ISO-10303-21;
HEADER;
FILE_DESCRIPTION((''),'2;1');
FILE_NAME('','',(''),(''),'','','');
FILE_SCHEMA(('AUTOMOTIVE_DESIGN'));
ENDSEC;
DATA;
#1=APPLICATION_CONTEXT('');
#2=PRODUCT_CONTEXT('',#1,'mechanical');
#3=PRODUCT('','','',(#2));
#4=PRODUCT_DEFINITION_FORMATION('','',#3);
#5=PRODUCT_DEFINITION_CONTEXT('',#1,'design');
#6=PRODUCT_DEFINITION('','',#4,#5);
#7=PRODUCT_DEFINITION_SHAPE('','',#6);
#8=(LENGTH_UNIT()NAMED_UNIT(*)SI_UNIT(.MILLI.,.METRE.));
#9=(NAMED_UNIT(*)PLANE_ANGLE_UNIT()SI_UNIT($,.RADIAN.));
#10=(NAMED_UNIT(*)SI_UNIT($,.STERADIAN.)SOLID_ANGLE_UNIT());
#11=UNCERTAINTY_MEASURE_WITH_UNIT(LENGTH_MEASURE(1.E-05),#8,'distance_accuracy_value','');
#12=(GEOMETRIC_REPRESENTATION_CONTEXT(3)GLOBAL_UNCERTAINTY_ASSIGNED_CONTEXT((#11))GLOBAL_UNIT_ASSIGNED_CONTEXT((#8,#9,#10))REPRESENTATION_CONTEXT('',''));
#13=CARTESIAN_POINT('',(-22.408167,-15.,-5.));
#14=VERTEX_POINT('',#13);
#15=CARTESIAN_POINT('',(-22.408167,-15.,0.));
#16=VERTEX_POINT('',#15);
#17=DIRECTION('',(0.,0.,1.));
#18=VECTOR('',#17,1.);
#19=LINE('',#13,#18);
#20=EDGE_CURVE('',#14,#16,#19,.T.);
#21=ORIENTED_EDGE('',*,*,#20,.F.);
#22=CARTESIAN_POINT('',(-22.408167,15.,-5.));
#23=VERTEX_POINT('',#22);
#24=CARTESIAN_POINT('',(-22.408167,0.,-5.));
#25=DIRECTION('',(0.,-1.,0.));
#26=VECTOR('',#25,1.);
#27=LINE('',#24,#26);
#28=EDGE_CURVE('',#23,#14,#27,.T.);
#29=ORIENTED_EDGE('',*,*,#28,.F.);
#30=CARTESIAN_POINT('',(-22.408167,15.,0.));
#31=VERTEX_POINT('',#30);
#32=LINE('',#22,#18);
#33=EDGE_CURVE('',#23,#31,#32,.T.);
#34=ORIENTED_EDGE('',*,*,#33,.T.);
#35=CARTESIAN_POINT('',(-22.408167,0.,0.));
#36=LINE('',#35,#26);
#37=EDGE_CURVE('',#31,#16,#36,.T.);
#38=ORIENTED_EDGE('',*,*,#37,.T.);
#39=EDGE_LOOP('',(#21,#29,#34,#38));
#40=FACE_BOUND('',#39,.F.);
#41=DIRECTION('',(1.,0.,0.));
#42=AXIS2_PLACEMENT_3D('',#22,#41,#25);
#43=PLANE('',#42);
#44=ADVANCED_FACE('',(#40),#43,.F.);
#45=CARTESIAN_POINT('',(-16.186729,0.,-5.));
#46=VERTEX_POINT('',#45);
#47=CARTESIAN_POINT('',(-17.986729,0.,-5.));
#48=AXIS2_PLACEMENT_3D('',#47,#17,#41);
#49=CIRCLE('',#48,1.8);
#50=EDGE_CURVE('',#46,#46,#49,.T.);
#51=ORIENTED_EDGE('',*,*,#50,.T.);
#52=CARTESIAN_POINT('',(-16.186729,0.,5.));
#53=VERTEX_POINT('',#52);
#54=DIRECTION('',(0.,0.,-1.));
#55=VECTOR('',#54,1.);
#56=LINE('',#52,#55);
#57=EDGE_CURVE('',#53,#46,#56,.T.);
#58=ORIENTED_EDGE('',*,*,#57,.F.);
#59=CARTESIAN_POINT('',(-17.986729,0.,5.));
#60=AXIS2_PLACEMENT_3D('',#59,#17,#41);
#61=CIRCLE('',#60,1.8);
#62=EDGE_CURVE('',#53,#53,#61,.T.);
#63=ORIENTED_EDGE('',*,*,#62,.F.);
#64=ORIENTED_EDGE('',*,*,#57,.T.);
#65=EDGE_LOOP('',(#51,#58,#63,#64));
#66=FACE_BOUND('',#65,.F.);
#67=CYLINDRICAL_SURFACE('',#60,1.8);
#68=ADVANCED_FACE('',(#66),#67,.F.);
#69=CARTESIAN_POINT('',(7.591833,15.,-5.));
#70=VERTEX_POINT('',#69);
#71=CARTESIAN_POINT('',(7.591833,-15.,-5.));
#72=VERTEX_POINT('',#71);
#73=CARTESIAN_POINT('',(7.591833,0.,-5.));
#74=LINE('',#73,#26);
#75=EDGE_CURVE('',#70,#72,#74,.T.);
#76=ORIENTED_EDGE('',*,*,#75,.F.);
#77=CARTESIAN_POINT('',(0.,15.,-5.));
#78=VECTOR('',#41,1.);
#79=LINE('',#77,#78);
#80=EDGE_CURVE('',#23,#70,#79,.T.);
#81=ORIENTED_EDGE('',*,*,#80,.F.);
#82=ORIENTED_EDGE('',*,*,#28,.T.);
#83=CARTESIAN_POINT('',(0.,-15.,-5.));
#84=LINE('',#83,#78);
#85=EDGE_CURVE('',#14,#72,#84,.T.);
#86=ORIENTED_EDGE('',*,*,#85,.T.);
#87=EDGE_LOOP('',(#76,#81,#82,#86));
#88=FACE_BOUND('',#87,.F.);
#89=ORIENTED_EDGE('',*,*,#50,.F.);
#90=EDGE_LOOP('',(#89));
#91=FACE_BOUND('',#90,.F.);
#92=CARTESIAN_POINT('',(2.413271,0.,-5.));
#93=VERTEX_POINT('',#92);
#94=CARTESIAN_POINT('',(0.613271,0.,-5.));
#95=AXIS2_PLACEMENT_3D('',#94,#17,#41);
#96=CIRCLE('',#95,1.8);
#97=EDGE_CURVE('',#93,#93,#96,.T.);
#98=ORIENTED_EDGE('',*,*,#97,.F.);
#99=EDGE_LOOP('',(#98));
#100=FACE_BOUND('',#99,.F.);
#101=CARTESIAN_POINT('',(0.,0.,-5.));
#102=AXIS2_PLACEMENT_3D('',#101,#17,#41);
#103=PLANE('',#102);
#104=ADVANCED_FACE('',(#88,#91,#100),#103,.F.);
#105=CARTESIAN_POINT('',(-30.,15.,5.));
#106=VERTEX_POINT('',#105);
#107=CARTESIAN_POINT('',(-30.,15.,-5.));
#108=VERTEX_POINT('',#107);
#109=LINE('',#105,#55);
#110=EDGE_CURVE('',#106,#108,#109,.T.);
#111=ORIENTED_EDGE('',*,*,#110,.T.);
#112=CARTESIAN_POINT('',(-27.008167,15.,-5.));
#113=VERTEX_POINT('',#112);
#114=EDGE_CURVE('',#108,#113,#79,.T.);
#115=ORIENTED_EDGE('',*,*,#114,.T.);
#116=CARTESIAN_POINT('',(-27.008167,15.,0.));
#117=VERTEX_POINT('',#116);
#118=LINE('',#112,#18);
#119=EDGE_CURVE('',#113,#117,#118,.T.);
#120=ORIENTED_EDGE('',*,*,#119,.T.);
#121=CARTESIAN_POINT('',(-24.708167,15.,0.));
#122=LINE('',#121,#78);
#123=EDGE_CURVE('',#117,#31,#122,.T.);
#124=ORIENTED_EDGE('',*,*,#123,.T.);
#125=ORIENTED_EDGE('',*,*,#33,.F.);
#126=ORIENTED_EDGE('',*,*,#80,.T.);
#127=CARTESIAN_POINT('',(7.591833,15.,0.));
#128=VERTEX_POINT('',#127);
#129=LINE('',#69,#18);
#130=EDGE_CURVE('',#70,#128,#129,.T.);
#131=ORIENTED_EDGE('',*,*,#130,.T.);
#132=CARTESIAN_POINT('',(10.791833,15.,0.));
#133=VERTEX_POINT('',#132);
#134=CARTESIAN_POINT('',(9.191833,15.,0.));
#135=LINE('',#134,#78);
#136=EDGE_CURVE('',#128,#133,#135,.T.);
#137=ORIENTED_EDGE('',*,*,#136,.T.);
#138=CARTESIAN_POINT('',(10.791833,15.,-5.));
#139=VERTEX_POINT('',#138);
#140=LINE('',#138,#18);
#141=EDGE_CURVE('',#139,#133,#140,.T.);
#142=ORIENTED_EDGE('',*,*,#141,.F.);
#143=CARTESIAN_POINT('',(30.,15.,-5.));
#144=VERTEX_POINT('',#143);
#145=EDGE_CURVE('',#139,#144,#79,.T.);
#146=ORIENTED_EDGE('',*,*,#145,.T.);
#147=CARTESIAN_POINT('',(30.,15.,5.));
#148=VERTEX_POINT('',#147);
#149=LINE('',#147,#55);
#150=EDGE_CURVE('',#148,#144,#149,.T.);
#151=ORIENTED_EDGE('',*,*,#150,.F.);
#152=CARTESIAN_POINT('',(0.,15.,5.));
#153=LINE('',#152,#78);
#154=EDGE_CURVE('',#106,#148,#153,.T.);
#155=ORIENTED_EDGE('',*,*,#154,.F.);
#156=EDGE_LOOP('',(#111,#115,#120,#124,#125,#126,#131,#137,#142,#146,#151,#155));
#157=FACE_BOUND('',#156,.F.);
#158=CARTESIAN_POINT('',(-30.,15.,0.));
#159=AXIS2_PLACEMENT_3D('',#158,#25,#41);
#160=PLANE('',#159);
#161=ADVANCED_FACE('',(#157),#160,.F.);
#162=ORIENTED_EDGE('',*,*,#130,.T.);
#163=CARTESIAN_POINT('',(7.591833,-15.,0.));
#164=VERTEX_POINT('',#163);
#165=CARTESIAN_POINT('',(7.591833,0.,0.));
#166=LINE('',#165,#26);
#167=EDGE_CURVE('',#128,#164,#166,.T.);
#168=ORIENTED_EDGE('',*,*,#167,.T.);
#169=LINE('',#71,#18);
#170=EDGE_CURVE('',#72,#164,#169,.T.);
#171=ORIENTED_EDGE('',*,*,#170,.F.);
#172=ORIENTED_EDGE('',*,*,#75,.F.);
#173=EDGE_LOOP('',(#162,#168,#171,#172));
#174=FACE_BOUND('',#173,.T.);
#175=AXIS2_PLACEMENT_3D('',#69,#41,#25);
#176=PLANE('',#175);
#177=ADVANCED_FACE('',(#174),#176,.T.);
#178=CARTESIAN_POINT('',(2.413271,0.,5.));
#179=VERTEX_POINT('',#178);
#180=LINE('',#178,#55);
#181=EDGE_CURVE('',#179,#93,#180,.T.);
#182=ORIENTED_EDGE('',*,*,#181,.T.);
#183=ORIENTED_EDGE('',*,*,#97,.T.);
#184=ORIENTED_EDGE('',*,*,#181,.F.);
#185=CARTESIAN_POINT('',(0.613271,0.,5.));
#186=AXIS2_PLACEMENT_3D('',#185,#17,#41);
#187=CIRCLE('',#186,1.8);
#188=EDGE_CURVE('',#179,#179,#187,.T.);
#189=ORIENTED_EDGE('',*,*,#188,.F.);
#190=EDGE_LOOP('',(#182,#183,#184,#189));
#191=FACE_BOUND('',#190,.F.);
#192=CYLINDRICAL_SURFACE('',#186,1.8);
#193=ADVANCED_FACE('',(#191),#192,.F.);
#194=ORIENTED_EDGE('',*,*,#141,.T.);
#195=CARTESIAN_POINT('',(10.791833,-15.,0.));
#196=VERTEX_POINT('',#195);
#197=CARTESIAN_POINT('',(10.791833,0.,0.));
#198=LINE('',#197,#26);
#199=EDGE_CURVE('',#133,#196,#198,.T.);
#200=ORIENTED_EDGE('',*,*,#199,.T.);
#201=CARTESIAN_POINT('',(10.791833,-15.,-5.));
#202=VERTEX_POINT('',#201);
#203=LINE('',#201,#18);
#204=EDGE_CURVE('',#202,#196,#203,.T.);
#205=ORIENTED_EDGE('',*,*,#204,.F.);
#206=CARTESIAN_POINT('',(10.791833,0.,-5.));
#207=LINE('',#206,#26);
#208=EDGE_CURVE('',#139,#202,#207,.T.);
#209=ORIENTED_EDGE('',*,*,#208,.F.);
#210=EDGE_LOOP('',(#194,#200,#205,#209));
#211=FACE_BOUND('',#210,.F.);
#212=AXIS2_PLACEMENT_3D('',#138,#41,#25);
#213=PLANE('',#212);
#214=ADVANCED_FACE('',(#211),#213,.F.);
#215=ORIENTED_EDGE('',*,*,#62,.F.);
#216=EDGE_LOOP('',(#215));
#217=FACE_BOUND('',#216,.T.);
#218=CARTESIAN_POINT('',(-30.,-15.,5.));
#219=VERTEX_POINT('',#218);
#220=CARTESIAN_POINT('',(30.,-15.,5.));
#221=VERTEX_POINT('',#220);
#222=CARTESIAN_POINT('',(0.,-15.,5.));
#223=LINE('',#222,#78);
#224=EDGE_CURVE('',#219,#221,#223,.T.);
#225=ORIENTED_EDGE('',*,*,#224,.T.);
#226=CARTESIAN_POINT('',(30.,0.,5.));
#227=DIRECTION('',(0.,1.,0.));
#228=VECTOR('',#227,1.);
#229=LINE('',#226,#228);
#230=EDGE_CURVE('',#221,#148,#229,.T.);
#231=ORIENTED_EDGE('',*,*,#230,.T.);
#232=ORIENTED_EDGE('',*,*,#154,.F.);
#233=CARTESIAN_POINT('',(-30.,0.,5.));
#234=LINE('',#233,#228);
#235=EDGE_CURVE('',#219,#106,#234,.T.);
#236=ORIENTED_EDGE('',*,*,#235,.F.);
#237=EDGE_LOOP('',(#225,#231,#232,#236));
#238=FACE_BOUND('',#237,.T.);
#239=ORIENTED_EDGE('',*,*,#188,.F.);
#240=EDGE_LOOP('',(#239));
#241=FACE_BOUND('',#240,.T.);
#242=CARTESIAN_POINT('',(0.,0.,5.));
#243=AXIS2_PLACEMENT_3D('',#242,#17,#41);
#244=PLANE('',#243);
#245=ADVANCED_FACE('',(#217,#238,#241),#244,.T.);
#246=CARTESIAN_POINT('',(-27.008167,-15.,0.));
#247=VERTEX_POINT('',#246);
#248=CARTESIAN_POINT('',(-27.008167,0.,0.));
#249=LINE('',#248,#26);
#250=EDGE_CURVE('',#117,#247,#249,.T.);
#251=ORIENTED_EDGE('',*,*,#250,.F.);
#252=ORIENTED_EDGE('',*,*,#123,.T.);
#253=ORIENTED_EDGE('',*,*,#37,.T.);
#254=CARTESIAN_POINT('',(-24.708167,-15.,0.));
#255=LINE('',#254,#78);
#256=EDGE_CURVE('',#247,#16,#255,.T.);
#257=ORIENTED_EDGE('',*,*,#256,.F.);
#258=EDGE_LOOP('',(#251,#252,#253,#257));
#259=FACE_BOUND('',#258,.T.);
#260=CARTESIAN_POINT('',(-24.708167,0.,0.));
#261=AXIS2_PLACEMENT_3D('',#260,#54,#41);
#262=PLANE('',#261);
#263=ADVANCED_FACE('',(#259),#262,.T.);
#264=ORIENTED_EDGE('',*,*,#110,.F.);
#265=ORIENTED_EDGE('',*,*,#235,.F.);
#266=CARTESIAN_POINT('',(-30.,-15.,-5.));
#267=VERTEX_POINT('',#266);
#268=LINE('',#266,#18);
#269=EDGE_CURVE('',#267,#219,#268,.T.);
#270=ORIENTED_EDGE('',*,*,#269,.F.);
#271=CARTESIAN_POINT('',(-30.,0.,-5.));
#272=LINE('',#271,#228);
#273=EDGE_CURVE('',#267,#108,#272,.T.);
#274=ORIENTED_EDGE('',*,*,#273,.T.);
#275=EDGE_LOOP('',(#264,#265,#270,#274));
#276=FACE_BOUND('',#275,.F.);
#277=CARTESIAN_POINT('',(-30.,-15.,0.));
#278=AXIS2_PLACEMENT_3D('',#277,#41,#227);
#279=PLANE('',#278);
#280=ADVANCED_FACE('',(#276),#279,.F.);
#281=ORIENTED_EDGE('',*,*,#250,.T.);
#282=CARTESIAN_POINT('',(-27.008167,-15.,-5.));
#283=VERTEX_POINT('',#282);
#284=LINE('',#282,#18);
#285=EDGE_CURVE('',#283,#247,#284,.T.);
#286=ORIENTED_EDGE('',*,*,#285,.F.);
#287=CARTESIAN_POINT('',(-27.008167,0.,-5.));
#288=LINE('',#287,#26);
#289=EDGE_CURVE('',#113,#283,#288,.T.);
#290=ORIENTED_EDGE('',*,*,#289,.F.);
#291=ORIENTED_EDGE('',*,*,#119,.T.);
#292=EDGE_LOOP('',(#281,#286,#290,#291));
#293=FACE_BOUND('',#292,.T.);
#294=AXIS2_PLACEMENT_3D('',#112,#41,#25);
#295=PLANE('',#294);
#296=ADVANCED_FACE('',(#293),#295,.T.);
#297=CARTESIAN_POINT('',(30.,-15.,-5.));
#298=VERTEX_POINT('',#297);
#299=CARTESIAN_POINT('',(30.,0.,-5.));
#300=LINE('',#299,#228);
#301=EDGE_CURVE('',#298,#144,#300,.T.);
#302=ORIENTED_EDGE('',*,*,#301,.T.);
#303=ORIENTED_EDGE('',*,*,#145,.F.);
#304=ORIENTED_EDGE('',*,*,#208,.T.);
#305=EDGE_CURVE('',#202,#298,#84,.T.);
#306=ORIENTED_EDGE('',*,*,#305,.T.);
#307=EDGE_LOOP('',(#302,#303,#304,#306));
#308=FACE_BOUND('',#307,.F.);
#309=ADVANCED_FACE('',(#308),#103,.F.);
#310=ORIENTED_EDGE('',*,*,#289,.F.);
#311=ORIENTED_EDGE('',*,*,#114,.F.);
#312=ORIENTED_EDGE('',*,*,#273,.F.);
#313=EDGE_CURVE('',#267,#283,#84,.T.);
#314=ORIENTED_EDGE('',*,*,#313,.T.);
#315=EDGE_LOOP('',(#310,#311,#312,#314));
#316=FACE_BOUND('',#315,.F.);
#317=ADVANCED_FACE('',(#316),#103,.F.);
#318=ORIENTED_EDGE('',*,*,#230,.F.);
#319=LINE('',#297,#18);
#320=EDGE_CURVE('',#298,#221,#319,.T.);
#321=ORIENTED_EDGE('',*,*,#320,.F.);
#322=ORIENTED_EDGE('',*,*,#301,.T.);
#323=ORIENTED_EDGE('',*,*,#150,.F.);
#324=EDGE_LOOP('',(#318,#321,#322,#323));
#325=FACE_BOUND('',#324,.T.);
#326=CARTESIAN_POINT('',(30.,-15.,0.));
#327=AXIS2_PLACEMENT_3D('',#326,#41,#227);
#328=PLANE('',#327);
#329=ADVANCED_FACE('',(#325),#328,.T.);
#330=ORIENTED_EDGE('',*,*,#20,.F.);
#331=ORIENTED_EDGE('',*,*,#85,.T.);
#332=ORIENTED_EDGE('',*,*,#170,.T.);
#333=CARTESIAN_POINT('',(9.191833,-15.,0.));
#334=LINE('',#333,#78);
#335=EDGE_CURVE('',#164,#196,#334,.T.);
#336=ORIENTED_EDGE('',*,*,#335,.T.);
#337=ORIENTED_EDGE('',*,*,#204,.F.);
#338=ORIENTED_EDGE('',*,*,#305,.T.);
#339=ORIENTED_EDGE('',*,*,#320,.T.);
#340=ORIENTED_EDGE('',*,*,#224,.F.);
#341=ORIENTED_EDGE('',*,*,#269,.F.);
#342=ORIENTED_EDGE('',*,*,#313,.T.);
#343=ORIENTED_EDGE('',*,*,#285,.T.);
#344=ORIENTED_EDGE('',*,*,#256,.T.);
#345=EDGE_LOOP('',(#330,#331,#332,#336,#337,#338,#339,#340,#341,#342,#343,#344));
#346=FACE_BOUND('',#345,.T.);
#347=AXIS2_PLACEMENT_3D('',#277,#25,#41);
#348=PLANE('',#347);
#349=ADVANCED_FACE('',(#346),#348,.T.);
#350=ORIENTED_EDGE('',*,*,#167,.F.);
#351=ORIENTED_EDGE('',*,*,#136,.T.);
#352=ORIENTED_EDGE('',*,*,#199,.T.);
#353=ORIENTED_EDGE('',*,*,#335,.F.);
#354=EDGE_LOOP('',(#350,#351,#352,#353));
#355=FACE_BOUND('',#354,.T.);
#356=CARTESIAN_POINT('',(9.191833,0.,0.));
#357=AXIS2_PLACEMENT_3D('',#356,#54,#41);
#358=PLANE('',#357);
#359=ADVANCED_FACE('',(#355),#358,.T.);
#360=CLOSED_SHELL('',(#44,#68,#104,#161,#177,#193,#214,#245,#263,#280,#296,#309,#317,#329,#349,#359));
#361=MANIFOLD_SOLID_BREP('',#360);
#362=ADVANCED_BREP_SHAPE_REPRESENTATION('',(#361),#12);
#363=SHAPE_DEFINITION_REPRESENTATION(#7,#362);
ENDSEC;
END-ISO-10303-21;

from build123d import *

# Parameters (mm, degrees)
F0_W     = 60
F0_H     = 30
F1_DEPTH = 5
F2_W     = 3.2
F2_H     = 30
F2_W_2   = 4.6
F3_DEPTH = 5
F4_R     = 1.8
F5_DEPTH = 26
F6_R     = 1.8
F7_DEPTH = 26


with BuildPart() as f1:
    # F0 (on Top) → F1 (new body, symmetric)
    with BuildSketch(Plane.XY):
        Rectangle(F0_W, F0_H)
    extrude(amount=F1_DEPTH, both=True)

    # F2 (on face) → F3 (cut)
    with BuildSketch(Plane(origin=(0, 0, -5), x_dir=(1, 0, 0), z_dir=(0, 0, -1))):
        with Locations((9.191833, 0)):
            Rectangle(F2_W, F2_H)
        with Locations((-24.708167, 0)):
            Rectangle(F2_W_2, F2_H)
    extrude(amount=-F3_DEPTH, mode=Mode.SUBTRACT)

    # F4 (on face) → F5 (cut)
    with BuildSketch(Plane.XY.offset(5)):
        with Locations((-17.986729, 0)):
            Circle(F4_R)
    extrude(amount=-F5_DEPTH, mode=Mode.SUBTRACT)

    # F6 (on face) → F7 (cut)
    with BuildSketch(Plane.XY.offset(5)):
        with Locations((0.613271, 0)):
            Circle(F6_R)
    extrude(amount=-F7_DEPTH, mode=Mode.SUBTRACT)


solid = f1.part
